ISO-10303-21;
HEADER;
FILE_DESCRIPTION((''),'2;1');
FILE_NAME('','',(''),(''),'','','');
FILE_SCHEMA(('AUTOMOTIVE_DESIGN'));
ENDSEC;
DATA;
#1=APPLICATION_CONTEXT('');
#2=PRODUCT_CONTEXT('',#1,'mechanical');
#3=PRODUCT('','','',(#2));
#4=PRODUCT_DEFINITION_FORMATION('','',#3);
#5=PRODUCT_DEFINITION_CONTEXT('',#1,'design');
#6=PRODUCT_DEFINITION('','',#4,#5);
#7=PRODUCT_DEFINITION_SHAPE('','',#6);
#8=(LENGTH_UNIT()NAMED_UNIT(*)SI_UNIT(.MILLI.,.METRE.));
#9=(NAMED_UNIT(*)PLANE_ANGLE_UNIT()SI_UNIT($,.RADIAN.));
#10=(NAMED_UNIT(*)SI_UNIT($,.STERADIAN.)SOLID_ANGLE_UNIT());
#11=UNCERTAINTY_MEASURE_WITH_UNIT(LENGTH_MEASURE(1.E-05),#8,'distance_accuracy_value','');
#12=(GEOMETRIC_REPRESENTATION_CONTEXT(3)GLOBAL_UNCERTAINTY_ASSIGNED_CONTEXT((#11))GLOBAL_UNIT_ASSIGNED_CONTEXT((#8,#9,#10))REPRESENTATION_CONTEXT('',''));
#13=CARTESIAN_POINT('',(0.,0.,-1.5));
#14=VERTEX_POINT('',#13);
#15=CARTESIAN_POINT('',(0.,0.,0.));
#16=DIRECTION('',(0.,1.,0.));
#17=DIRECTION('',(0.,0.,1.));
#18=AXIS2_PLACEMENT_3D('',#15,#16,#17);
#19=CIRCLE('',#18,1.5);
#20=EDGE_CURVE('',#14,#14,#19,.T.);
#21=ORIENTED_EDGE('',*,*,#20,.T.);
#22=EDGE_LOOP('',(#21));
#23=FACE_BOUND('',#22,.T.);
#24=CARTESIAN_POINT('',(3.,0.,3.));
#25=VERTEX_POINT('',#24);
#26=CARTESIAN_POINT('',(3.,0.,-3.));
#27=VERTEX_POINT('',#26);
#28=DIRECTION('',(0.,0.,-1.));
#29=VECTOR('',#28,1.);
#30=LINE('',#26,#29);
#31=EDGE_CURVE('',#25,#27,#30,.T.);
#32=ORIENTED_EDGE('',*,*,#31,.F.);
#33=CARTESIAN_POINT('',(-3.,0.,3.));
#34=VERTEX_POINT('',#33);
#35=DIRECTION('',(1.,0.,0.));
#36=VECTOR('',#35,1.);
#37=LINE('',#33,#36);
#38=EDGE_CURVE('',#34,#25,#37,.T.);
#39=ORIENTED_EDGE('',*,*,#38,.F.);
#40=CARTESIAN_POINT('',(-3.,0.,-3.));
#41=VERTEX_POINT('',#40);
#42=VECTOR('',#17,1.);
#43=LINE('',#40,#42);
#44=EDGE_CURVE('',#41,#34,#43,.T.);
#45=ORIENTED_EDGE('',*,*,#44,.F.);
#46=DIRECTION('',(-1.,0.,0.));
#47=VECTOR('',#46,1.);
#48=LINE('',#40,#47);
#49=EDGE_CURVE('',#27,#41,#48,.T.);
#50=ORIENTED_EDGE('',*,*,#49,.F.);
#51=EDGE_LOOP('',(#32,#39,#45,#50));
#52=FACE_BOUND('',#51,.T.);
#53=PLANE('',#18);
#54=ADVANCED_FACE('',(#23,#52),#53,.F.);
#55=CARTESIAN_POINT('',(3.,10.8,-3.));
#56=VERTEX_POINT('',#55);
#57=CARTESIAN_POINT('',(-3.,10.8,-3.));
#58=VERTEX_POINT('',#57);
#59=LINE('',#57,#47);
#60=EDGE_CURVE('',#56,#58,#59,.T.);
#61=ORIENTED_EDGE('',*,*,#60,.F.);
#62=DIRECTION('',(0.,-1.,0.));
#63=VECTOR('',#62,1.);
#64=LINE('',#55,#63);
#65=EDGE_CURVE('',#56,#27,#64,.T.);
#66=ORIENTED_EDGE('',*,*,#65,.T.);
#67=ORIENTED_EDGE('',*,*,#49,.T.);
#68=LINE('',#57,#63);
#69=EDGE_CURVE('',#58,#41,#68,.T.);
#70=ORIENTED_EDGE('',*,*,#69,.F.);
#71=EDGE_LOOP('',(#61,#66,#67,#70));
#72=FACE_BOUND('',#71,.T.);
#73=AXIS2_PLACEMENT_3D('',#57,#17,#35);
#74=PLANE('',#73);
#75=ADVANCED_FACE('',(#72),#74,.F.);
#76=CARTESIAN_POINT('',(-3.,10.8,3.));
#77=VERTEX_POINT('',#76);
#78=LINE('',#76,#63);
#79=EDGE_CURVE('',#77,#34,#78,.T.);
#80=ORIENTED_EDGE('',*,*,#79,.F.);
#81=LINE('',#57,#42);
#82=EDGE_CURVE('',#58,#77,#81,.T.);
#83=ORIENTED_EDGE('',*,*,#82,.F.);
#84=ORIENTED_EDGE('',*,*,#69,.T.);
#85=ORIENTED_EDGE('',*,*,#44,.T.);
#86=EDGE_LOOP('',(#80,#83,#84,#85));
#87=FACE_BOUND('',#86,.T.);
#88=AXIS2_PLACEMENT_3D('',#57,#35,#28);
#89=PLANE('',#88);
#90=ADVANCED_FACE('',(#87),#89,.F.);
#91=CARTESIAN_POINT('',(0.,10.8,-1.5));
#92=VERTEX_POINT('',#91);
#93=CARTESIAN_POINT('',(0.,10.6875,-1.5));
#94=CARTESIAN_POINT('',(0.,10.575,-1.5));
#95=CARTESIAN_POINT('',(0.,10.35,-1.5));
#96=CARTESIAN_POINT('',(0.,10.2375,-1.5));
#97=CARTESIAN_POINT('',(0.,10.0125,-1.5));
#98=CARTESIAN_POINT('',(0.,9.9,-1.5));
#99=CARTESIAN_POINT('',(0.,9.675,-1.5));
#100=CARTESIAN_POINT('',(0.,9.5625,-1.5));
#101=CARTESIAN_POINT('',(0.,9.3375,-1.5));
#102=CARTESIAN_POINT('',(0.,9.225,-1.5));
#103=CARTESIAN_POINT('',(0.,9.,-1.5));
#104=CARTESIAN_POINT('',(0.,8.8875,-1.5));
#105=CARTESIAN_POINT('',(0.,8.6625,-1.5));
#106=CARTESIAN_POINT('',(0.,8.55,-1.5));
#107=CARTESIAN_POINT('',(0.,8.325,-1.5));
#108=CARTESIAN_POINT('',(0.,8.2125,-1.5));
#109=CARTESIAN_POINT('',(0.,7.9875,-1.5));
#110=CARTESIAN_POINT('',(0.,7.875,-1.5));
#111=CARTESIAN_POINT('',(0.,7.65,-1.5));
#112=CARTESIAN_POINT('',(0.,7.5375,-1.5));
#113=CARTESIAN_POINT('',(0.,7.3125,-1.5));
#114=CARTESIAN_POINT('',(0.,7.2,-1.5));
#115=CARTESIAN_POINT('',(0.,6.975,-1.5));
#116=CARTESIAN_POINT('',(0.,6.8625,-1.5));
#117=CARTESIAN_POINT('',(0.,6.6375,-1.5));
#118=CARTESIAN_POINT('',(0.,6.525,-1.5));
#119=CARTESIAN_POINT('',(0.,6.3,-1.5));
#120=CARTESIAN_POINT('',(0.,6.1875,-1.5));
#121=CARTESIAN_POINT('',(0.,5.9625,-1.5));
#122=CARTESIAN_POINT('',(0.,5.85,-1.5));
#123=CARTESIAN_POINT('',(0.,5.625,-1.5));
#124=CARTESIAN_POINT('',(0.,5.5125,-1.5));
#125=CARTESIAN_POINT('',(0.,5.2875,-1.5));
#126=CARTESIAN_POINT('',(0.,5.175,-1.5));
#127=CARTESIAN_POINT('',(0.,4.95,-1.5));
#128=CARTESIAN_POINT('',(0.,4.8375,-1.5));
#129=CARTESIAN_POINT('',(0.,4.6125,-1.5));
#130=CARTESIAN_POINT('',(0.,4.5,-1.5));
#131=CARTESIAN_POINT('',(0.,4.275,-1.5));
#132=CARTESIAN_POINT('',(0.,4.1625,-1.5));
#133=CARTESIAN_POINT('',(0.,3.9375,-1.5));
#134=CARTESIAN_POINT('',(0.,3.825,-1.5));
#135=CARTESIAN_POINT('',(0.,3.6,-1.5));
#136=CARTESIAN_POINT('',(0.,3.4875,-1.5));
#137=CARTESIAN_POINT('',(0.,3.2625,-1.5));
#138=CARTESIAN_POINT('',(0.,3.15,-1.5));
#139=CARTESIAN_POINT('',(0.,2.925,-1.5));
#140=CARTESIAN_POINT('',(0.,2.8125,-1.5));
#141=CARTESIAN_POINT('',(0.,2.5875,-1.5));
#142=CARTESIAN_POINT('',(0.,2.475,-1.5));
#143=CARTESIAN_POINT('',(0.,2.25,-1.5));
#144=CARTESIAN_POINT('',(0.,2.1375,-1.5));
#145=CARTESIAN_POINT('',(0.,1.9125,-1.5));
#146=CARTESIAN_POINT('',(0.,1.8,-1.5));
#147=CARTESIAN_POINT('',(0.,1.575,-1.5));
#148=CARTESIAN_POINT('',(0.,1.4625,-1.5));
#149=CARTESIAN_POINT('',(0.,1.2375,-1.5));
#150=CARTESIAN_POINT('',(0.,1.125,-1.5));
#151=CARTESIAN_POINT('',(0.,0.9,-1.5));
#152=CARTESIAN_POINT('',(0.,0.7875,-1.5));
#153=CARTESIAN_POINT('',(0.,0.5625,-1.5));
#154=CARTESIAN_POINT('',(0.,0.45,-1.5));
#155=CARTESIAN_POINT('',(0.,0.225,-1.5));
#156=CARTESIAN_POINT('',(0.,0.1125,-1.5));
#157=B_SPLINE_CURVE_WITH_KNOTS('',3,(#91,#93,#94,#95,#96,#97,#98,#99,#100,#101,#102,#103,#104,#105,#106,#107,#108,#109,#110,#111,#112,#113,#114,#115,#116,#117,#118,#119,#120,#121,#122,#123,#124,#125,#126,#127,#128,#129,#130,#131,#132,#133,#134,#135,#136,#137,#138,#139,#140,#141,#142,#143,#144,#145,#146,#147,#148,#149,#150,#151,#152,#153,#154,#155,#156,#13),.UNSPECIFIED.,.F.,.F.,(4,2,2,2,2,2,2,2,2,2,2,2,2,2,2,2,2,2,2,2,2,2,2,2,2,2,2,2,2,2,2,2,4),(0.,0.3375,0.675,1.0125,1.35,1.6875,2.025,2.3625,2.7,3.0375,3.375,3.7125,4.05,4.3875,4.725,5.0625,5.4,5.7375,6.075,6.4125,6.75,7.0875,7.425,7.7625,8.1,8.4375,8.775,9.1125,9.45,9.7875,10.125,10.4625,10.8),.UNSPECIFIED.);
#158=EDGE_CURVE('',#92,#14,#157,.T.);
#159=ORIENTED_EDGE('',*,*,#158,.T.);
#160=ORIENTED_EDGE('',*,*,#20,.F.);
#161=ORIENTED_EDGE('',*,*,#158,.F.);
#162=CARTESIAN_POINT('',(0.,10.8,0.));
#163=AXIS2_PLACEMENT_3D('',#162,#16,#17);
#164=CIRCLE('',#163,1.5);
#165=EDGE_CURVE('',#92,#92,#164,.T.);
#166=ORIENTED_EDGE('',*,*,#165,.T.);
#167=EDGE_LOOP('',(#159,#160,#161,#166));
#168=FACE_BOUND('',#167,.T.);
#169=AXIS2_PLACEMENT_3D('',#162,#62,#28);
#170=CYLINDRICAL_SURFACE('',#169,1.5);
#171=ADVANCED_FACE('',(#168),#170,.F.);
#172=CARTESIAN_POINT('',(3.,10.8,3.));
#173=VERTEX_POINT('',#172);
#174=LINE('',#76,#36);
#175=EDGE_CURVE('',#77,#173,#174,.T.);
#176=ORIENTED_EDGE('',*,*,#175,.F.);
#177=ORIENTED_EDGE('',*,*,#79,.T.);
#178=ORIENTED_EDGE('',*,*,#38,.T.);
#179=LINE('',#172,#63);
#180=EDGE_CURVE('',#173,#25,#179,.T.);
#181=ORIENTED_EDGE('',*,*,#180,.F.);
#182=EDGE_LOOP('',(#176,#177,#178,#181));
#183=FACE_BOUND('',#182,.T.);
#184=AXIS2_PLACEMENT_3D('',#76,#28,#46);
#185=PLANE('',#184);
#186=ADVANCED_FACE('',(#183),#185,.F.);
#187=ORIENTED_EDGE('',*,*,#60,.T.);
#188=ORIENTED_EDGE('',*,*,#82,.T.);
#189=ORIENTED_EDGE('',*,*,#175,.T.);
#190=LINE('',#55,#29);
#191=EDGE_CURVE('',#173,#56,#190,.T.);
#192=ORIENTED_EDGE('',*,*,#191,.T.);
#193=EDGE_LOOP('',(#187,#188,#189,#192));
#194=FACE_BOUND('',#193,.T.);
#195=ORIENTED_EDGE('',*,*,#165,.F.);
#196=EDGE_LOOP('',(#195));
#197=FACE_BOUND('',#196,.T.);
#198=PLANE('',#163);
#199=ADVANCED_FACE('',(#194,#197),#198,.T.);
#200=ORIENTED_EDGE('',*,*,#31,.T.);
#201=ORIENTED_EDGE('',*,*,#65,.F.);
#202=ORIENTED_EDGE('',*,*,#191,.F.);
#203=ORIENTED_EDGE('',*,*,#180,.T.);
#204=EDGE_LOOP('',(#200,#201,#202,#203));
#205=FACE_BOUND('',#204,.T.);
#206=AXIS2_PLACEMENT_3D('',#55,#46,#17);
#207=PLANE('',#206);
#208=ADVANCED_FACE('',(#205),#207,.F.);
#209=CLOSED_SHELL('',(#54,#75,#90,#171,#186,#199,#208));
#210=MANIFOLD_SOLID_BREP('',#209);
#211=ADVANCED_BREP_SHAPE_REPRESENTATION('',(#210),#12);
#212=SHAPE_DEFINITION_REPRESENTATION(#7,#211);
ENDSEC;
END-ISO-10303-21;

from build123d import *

# Parameters (mm, degrees)
SKETCH_1_W      = 6
SKETCH_1_H      = 6
SKETCH_1_R      = 1.5
EXTRUDE_1_DEPTH = 10.8


with BuildPart() as part:
    # Эскиз1 → Бобышка-Вытянуть1 (new body)
    with BuildSketch(Plane(origin=(0, 0, 0), x_dir=(1, 0, 0), z_dir=(0, 1, 0))):
        Rectangle(SKETCH_1_W, SKETCH_1_H)
        with Locations(Location((0, 0, 0), (0, 0, 90))):
            Circle(SKETCH_1_R, mode=Mode.SUBTRACT)
    extrude(amount=EXTRUDE_1_DEPTH)


solid = part.part
